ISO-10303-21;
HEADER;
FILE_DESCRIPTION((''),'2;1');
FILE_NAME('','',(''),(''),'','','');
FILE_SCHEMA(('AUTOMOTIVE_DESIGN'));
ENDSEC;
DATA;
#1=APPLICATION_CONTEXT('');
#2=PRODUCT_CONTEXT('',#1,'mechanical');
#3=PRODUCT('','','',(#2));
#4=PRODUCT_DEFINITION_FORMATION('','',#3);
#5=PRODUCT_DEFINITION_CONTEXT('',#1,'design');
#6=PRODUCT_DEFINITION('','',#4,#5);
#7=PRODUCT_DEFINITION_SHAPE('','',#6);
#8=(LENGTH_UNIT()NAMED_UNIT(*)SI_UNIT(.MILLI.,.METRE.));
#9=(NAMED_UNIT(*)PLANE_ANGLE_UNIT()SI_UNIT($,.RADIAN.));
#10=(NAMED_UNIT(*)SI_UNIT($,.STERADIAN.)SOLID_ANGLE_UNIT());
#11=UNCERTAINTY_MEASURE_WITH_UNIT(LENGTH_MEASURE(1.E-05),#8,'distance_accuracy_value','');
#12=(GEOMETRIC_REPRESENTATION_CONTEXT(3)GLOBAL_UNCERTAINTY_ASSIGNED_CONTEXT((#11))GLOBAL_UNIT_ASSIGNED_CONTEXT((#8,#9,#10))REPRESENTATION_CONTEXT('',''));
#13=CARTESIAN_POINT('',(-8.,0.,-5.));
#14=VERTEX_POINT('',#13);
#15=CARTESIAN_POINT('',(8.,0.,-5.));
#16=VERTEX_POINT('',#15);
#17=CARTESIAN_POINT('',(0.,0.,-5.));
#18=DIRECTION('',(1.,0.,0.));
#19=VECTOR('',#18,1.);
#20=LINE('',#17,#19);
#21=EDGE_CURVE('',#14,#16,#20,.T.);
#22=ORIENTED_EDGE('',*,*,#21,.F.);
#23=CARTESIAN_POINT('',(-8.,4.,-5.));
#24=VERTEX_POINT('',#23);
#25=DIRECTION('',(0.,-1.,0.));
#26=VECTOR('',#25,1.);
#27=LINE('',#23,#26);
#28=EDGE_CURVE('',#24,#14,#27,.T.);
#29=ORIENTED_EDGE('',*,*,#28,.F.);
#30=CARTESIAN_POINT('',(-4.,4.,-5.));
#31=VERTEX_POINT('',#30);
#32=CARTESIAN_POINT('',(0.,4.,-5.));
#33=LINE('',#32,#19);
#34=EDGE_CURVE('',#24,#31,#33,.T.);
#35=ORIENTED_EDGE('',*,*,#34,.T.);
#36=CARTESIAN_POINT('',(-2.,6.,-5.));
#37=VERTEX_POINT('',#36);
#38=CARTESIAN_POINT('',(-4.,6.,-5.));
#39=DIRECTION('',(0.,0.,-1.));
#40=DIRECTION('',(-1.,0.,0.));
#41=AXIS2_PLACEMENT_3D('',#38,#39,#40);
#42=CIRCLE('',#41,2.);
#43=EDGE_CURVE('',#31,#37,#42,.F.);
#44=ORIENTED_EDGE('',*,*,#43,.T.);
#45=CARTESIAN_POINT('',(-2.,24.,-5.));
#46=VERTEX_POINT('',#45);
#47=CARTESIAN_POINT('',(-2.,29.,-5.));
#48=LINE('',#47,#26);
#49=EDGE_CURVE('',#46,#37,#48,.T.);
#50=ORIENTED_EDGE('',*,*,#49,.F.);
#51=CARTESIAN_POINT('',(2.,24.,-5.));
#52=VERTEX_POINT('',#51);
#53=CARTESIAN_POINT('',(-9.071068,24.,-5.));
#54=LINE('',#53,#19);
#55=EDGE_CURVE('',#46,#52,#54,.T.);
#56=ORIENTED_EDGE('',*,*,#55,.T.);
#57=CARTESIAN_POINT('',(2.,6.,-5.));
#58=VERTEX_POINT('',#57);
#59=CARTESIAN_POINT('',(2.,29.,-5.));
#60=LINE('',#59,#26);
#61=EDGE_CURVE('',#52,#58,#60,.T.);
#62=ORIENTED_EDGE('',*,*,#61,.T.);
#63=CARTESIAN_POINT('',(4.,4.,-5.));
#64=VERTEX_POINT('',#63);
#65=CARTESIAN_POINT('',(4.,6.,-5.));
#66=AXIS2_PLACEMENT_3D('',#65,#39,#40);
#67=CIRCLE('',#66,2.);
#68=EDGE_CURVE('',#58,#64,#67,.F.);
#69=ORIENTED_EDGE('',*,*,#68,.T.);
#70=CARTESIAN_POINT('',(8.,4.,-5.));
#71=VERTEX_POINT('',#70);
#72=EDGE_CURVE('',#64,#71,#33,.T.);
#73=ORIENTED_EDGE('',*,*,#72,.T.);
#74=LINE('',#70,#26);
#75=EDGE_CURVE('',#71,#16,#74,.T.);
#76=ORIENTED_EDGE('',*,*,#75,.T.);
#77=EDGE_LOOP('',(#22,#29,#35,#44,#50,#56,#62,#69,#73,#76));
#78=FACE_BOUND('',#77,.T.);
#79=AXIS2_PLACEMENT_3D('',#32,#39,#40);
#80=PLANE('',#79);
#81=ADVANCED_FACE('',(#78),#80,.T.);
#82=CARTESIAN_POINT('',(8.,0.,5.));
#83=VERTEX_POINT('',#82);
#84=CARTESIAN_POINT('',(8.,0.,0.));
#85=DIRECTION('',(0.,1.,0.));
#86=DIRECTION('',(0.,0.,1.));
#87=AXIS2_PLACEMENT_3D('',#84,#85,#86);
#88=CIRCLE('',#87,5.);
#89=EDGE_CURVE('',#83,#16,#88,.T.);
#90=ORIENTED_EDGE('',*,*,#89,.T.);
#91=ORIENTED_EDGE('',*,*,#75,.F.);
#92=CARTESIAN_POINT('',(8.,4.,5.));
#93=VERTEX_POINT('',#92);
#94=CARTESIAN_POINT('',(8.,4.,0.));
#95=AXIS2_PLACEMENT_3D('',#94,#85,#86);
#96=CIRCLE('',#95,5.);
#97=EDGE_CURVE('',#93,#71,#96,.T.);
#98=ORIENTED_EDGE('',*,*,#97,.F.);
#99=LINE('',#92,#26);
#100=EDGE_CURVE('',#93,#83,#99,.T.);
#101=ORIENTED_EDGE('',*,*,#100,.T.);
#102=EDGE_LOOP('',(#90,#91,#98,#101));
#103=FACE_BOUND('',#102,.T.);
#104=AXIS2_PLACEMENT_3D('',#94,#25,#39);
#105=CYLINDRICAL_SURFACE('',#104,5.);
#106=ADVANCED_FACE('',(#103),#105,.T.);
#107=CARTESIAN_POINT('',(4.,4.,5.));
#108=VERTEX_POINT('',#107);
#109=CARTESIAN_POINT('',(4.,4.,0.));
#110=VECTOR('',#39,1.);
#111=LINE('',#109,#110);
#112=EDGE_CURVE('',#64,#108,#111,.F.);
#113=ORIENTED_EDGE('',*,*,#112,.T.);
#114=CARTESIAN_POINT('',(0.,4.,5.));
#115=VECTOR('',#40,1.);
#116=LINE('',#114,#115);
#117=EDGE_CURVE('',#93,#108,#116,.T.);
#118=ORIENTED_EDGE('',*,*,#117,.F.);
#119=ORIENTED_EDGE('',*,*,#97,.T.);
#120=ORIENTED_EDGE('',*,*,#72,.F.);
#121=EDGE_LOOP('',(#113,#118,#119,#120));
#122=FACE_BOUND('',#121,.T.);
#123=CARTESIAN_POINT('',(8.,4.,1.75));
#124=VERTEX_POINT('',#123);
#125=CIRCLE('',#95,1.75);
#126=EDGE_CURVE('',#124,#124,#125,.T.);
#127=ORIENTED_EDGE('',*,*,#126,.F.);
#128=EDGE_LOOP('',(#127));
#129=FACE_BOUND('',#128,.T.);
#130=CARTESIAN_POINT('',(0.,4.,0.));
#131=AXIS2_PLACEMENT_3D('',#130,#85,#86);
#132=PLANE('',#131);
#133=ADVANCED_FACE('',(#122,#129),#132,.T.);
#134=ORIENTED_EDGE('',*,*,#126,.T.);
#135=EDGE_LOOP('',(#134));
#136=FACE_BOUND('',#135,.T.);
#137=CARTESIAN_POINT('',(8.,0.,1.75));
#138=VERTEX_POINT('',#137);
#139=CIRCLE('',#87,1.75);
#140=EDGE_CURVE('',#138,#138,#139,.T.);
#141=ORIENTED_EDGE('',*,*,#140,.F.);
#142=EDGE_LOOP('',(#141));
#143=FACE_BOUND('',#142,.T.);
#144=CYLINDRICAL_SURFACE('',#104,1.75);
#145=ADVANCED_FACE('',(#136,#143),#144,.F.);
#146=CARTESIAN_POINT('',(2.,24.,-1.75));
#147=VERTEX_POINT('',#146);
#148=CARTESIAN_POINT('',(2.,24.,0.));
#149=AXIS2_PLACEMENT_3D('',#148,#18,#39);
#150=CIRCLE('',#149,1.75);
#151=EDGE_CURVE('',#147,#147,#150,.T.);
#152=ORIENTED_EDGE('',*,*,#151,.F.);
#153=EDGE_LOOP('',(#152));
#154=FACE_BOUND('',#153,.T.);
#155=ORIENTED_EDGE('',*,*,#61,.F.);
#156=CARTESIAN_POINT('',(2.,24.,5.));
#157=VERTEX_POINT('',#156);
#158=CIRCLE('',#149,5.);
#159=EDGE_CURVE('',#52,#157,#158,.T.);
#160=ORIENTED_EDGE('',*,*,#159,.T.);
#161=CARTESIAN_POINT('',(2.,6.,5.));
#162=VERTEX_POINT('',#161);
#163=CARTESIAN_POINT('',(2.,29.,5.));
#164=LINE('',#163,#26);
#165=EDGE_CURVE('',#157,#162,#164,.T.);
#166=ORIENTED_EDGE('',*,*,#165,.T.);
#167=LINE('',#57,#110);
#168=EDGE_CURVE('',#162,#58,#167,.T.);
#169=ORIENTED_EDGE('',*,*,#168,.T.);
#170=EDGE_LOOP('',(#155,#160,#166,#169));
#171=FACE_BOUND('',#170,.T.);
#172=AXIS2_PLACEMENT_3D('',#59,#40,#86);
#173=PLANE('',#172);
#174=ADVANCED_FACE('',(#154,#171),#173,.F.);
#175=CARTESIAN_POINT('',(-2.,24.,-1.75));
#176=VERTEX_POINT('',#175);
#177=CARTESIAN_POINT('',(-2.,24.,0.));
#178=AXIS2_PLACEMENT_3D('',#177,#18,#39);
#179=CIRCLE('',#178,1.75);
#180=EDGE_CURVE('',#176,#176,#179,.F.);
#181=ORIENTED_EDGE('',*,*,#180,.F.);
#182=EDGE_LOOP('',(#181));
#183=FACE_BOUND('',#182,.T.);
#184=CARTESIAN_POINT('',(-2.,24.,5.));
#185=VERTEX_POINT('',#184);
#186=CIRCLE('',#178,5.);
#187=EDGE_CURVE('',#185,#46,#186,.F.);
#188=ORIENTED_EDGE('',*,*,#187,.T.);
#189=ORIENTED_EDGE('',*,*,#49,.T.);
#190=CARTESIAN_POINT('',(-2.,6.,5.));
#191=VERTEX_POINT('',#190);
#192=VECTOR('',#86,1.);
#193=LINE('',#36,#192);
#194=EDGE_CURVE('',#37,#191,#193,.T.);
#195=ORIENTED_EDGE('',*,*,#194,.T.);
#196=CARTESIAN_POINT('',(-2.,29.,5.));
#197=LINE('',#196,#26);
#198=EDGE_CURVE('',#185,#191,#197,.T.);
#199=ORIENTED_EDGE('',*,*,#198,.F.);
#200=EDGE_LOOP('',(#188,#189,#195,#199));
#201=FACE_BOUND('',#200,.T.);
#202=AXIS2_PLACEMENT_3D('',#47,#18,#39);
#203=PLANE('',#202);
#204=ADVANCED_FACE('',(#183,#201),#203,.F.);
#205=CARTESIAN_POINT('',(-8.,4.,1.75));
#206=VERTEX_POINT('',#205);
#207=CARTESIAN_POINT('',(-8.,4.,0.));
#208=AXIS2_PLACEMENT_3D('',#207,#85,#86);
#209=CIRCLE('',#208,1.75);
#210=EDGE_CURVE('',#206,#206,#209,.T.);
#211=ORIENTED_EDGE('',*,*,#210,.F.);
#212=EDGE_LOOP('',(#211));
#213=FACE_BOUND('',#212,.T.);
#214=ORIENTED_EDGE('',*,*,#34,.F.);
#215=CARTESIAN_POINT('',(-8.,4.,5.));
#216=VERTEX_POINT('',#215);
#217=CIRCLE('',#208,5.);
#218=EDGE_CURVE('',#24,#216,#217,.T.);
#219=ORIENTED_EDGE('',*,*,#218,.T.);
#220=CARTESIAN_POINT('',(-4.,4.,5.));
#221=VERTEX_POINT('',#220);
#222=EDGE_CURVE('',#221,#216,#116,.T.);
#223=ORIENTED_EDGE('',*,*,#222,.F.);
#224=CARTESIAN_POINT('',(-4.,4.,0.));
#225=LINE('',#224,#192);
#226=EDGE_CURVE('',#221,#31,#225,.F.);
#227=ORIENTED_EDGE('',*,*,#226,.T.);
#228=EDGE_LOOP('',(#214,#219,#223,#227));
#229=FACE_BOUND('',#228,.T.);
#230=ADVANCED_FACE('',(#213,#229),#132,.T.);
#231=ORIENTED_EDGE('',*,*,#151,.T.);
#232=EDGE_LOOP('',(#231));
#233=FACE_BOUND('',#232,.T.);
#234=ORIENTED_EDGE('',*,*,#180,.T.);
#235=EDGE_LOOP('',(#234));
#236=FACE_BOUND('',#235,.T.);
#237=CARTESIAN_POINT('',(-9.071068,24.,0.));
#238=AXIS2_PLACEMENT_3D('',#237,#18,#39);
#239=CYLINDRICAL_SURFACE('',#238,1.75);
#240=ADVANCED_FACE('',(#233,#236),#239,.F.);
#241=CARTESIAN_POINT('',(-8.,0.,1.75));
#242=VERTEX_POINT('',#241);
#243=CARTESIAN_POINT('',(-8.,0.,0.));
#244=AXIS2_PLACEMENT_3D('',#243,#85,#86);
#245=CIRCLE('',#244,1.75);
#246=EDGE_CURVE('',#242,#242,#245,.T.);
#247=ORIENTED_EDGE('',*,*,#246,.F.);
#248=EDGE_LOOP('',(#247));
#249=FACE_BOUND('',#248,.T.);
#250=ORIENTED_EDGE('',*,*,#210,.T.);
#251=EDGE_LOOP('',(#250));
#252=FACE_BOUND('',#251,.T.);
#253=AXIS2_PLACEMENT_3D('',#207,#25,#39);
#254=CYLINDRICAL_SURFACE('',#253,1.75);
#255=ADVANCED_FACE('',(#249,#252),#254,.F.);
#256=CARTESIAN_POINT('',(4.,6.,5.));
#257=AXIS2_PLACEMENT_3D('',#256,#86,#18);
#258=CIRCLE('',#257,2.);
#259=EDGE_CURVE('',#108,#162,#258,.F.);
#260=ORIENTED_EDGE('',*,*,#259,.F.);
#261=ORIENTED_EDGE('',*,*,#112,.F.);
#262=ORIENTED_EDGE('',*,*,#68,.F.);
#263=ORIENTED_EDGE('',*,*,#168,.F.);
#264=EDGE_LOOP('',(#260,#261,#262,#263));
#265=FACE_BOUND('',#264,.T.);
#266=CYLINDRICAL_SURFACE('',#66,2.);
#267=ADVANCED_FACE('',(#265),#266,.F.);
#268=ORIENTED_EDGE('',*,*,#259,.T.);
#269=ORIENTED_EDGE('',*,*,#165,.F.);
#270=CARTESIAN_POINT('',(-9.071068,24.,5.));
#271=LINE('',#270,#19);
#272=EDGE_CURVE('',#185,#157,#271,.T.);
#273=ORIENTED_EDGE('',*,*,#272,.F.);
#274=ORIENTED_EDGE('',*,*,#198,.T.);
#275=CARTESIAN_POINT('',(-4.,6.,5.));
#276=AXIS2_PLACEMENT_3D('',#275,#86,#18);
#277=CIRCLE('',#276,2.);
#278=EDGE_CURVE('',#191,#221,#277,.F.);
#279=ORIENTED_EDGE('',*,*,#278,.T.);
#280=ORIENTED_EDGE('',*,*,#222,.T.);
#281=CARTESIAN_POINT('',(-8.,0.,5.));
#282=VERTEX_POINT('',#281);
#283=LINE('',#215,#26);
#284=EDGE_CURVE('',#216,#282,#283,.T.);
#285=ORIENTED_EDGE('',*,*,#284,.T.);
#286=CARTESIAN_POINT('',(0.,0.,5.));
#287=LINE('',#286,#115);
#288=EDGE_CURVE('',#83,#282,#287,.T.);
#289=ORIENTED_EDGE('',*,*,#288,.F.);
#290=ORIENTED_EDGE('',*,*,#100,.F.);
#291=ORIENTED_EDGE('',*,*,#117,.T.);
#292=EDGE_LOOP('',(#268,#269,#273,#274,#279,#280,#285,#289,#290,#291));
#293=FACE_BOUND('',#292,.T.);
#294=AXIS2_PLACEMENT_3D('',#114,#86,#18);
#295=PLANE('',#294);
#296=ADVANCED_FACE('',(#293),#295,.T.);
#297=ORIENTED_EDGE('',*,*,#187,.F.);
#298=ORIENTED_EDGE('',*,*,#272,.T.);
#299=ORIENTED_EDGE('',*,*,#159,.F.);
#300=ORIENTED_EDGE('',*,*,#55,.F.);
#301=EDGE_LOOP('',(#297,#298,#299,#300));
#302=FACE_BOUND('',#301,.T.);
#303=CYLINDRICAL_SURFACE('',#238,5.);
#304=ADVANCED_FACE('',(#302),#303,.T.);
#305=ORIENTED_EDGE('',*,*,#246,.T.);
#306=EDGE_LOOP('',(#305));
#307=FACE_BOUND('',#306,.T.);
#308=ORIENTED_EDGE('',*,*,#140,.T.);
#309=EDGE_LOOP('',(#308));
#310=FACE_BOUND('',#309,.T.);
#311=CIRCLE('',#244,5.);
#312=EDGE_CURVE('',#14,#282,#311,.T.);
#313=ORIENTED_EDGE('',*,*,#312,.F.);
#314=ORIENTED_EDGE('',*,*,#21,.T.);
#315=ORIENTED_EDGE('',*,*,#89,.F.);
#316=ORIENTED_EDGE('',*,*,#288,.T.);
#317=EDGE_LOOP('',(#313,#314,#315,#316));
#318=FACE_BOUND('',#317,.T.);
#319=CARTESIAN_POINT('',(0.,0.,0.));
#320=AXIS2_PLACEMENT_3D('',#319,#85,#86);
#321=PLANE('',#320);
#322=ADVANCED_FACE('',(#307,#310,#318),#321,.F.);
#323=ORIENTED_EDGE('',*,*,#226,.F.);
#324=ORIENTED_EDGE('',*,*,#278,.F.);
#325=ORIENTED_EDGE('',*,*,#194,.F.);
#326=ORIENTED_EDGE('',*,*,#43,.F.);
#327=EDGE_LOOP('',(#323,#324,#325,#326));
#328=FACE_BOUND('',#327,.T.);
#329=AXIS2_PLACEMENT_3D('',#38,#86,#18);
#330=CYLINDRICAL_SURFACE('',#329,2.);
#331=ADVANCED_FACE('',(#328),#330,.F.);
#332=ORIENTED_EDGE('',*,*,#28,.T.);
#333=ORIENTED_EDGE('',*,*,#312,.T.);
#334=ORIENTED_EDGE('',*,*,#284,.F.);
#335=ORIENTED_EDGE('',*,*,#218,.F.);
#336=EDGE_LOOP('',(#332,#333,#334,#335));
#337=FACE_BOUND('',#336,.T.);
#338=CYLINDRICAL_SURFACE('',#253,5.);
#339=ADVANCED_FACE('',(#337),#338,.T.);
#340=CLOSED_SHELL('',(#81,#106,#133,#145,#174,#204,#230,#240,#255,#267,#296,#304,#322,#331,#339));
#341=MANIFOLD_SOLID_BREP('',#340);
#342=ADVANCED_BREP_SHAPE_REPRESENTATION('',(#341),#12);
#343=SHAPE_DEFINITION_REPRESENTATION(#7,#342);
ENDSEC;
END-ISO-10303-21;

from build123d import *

# Parameters (mm, degrees)
SKETCH1_R           = 5
SKETCH1_R_2         = 1.75
BOSS_EXTRUDE1_DEPTH = 4
SKETCH2_W           = 4
SKETCH2_H           = 10
BOSS_EXTRUDE2_DEPTH = 25
SKETCH3_R           = 1.75
CUT_EXTRUDE1_DEPTH  = 4
FILLET1_R           = 2
FILLET2_R           = 2


with BuildPart() as part:
    # Sketch1 → Boss-Extrude1 (new body)
    # profile 1 of 3: a face of its own
    with BuildSketch(Plane(origin=(0, 0, 0), x_dir=(1, 0, 0), z_dir=(0, 1, 0))):
        with Locations((-8, 0)):
            Circle(SKETCH1_R)
        with Locations(Location((-8, 0, 0), (0, 0, 270))):
            Circle(SKETCH1_R_2, mode=Mode.SUBTRACT)
    # profile 2 of 3: a face of its own
    with BuildSketch(Plane(origin=(0, 0, 0), x_dir=(1, 0, 0), z_dir=(0, 1, 0))):
        with BuildLine():
            Line((8, 5), (-8, 5))
            ThreePointArc((-8, 5), (-4.464466094, 3.535533906), (-3, 0))
            ThreePointArc((-3, 0), (-4.464466094, -3.535533906), (-8, -5))
            Line((-8, -5), (8, -5))
            ThreePointArc((8, -5), (3, 0), (8, 5))
        make_face()
    # profile 3 of 3: a face of its own
    with BuildSketch(Plane(origin=(0, 0, 0), x_dir=(1, 0, 0), z_dir=(0, 1, 0))):
        with Locations((8, 0)):
            Circle(SKETCH1_R)
        with Locations(Location((8, 0, 0), (0, 0, 270))):
            Circle(SKETCH1_R_2, mode=Mode.SUBTRACT)
    extrude(amount=BOSS_EXTRUDE1_DEPTH)

    # Sketch2 → Boss-Extrude2 (add)
    with BuildSketch(Plane(origin=(0, 4, 0), x_dir=(1, 0, 0), z_dir=(0, 1, 0))):
        Rectangle(SKETCH2_W, SKETCH2_H)
    extrude(amount=BOSS_EXTRUDE2_DEPTH)

    # Sketch3 → Cut-Extrude1 (cut)
    with BuildSketch(Plane(origin=(2, 0, 0), x_dir=(0, 0, -1), z_dir=(1, 0, 0))):
        with BuildLine():
            Line((-5, 29), (-5, 24))
            ThreePointArc((-5, 24), (-3.535533915, 27.535533897), (-2.5e-08, 29))
            Line((-2.5e-08, 29), (-5, 29))
        make_face()
        with BuildLine():
            ThreePointArc((-2.5e-08, 29), (3.535533897, 27.535533915), (5, 24))
            Line((5, 24), (5, 29))
            Line((5, 29), (-2.5e-08, 29))
        make_face()
        with Locations((0, 24)):
            Circle(SKETCH3_R)
    extrude(amount=-CUT_EXTRUDE1_DEPTH, mode=Mode.SUBTRACT)

    # Fillet1
    fillet1_edges = [part.edges().sort_by_distance(p)[0] for p in [
        (2, 4, 0),
    ]]
    fillet(fillet1_edges, radius=FILLET1_R)

    # Fillet2
    fillet2_edges = [part.edges().sort_by_distance(p)[0] for p in [
        (-2, 4, 0),
    ]]
    fillet(fillet2_edges, radius=FILLET2_R)


solid = part.part
